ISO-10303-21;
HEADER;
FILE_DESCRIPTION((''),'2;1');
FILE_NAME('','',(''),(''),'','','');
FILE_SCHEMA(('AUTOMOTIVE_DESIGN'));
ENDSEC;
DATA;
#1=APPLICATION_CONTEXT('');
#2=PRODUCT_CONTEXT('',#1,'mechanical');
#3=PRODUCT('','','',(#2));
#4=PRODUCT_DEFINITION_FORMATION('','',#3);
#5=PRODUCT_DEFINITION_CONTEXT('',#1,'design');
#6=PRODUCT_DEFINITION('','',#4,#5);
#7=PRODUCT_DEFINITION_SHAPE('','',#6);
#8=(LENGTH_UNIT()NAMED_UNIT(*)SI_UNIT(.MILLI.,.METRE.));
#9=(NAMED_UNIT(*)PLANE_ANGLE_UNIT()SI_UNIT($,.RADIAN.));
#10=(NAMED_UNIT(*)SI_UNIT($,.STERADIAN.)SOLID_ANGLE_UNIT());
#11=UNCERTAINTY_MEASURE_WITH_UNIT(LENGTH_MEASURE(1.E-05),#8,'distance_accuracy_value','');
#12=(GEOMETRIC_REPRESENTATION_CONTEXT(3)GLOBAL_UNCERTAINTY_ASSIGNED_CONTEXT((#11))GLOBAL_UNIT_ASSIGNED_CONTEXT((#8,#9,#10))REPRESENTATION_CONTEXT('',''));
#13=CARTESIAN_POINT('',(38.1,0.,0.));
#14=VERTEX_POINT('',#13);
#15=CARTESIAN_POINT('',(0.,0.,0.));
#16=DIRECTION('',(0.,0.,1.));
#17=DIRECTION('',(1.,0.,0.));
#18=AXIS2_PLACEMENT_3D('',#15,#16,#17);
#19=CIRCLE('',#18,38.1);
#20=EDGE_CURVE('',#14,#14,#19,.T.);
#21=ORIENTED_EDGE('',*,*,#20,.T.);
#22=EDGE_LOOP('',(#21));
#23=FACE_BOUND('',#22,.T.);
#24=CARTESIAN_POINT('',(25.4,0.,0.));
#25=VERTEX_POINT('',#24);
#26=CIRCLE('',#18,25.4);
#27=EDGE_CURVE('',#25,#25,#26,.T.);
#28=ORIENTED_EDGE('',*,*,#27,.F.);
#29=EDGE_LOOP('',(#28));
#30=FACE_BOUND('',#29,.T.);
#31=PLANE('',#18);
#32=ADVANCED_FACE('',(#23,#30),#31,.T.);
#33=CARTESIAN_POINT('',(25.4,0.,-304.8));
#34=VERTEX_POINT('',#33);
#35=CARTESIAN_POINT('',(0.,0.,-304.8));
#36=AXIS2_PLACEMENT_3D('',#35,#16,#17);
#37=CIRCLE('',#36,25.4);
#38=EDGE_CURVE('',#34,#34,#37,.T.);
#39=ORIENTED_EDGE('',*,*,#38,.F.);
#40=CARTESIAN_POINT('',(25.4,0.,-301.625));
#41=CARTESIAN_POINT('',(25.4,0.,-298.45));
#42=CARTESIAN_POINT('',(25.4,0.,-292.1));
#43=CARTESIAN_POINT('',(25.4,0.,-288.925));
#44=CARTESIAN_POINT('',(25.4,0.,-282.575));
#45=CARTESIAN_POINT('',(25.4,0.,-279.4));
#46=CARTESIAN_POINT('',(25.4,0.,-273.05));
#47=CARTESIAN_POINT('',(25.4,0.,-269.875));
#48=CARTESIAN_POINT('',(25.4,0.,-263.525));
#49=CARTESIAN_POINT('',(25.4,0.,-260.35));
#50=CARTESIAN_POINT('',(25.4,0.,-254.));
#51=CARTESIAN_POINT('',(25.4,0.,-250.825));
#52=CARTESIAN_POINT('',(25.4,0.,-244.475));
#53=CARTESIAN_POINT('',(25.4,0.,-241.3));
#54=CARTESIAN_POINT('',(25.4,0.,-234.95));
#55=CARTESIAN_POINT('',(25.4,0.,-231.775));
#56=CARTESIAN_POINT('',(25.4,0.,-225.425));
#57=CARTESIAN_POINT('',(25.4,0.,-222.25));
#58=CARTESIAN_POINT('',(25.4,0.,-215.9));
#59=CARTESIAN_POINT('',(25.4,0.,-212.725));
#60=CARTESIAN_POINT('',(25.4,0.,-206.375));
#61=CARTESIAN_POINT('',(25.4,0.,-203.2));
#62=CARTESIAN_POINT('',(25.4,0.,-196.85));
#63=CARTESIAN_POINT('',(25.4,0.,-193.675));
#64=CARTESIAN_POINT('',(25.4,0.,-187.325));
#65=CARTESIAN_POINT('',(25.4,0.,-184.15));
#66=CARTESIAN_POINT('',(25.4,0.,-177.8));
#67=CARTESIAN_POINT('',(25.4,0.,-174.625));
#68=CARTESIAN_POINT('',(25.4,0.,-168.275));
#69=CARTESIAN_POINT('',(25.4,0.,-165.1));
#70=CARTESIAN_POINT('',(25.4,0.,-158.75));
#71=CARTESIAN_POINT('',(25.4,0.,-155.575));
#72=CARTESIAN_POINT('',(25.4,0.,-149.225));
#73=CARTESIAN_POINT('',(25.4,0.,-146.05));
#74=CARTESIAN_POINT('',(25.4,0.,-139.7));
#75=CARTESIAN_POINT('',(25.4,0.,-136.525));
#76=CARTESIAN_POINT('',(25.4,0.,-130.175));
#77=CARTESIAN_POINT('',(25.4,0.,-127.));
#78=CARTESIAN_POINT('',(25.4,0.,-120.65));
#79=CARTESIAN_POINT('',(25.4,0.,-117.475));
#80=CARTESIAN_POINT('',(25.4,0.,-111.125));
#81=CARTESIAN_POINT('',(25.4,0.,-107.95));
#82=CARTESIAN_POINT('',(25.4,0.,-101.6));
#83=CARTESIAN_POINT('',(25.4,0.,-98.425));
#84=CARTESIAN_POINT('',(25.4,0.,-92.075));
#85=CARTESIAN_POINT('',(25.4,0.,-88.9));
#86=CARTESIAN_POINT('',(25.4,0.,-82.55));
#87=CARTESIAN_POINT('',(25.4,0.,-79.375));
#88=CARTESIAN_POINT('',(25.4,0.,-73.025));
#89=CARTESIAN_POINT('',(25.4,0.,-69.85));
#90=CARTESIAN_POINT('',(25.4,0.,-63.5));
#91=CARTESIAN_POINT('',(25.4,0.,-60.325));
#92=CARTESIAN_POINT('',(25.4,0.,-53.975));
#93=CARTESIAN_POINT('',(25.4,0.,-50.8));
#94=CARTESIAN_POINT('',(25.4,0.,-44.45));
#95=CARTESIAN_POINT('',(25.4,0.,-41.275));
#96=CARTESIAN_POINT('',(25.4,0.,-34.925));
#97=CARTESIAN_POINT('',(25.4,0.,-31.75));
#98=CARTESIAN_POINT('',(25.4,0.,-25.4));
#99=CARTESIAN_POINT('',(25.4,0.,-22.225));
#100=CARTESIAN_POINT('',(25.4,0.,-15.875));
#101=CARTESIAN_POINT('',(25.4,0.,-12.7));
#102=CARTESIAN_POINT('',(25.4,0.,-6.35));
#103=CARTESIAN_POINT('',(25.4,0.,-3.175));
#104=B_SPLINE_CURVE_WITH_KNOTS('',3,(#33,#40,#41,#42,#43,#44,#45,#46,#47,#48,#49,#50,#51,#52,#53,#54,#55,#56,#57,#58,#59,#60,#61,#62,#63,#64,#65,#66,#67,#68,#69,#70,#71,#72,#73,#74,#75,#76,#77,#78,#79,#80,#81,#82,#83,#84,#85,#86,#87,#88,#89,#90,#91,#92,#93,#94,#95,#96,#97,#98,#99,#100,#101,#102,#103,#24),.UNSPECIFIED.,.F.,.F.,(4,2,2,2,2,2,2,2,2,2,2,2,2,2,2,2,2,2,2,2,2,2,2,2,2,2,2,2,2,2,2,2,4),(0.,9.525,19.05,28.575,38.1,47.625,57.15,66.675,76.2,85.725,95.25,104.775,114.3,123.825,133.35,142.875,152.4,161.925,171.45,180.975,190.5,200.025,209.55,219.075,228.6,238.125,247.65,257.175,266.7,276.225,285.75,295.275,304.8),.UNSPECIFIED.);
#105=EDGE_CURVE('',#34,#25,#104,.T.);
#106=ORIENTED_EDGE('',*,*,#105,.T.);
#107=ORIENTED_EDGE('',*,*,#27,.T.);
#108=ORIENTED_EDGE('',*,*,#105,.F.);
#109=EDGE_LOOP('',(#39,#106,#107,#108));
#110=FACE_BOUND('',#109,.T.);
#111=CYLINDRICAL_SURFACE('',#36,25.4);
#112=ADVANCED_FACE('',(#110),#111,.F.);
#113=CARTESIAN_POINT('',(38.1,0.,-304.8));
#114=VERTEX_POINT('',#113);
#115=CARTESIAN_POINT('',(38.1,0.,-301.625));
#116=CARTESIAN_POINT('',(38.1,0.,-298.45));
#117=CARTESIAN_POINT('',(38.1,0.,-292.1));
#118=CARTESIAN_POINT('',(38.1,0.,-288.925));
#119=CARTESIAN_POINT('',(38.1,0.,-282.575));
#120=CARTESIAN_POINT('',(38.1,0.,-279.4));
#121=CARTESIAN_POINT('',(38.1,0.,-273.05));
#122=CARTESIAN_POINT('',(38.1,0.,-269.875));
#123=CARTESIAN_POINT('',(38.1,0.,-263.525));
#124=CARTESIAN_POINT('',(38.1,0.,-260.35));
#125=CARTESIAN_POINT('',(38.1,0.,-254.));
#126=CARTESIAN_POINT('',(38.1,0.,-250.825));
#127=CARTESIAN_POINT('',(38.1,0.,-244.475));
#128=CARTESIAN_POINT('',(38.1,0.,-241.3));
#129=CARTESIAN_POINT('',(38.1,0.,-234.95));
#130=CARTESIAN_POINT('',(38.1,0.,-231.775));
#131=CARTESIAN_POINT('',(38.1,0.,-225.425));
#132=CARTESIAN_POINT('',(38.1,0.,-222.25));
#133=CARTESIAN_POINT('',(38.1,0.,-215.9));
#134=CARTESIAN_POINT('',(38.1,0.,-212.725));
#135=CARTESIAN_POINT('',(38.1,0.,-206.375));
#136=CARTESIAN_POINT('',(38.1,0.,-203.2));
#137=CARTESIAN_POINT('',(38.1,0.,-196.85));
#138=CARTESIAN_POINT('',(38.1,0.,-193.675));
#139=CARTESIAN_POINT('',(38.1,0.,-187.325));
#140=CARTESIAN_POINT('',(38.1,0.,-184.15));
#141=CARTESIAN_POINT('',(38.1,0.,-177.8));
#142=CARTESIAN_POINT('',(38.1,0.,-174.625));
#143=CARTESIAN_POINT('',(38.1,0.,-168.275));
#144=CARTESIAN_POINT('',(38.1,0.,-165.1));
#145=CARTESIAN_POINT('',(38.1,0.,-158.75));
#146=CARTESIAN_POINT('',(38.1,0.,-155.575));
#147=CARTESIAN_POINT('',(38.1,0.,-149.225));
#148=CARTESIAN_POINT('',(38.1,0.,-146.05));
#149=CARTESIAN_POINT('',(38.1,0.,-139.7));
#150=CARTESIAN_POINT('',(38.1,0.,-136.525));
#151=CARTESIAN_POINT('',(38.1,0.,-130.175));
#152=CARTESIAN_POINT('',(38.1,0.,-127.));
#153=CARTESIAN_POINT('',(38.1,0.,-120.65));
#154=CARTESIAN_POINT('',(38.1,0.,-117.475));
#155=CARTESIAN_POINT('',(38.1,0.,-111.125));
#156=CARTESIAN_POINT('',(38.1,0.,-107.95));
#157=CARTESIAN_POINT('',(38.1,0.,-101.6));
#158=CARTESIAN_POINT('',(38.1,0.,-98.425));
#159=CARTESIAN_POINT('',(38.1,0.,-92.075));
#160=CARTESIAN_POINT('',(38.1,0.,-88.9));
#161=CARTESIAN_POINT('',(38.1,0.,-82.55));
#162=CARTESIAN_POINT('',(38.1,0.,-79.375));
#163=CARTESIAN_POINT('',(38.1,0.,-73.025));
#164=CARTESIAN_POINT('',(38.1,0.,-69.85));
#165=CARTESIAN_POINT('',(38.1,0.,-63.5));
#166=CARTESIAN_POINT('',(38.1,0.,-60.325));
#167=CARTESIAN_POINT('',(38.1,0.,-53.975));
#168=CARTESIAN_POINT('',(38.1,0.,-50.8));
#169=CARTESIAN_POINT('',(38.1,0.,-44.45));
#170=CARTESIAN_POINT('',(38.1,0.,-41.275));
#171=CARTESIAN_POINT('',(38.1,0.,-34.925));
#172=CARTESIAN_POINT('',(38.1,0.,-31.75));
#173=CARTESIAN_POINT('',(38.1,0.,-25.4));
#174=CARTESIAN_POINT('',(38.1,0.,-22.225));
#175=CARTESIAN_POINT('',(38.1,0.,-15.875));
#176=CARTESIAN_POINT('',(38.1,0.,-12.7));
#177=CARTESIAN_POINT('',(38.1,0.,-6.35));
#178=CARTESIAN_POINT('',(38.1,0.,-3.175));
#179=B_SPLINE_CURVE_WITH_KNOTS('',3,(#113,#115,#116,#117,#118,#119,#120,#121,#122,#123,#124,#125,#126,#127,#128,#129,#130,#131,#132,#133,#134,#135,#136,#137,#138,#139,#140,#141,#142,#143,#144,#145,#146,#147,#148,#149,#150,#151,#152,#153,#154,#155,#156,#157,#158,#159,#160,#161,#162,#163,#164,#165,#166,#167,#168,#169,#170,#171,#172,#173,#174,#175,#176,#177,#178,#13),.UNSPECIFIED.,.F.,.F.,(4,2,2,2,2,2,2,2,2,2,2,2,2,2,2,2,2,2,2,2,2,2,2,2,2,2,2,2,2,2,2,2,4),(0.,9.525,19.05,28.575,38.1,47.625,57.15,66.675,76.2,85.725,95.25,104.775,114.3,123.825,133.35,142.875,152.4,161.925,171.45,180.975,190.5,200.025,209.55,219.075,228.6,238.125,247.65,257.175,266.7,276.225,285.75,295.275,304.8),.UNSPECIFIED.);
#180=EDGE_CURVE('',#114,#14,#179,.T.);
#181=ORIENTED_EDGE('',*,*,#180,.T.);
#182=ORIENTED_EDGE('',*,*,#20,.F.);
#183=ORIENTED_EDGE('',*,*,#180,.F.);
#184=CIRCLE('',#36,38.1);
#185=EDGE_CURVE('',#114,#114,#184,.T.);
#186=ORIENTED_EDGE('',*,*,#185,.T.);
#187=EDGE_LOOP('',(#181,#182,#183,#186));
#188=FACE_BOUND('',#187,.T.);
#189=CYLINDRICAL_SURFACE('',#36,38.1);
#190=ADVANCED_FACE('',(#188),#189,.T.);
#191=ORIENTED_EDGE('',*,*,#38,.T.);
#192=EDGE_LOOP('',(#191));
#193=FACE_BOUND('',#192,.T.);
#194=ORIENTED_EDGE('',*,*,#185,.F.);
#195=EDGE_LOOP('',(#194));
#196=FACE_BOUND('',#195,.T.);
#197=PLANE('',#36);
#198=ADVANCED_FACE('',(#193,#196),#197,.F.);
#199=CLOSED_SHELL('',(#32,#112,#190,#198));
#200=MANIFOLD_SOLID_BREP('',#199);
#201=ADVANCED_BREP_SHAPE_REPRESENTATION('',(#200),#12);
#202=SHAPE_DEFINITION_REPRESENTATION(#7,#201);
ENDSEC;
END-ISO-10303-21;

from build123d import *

# Parameters (mm, degrees)
SKETCH1_R      = 38.1
SKETCH1_R_2    = 25.4
EXTRUDE1_DEPTH = 304.8


with BuildPart() as part:
    # Sketch1 → Extrude1 (new body)
    with BuildSketch(Plane.XY):
        Circle(SKETCH1_R)
        Circle(SKETCH1_R_2, mode=Mode.SUBTRACT)
    extrude(amount=-EXTRUDE1_DEPTH)


solid = part.part
